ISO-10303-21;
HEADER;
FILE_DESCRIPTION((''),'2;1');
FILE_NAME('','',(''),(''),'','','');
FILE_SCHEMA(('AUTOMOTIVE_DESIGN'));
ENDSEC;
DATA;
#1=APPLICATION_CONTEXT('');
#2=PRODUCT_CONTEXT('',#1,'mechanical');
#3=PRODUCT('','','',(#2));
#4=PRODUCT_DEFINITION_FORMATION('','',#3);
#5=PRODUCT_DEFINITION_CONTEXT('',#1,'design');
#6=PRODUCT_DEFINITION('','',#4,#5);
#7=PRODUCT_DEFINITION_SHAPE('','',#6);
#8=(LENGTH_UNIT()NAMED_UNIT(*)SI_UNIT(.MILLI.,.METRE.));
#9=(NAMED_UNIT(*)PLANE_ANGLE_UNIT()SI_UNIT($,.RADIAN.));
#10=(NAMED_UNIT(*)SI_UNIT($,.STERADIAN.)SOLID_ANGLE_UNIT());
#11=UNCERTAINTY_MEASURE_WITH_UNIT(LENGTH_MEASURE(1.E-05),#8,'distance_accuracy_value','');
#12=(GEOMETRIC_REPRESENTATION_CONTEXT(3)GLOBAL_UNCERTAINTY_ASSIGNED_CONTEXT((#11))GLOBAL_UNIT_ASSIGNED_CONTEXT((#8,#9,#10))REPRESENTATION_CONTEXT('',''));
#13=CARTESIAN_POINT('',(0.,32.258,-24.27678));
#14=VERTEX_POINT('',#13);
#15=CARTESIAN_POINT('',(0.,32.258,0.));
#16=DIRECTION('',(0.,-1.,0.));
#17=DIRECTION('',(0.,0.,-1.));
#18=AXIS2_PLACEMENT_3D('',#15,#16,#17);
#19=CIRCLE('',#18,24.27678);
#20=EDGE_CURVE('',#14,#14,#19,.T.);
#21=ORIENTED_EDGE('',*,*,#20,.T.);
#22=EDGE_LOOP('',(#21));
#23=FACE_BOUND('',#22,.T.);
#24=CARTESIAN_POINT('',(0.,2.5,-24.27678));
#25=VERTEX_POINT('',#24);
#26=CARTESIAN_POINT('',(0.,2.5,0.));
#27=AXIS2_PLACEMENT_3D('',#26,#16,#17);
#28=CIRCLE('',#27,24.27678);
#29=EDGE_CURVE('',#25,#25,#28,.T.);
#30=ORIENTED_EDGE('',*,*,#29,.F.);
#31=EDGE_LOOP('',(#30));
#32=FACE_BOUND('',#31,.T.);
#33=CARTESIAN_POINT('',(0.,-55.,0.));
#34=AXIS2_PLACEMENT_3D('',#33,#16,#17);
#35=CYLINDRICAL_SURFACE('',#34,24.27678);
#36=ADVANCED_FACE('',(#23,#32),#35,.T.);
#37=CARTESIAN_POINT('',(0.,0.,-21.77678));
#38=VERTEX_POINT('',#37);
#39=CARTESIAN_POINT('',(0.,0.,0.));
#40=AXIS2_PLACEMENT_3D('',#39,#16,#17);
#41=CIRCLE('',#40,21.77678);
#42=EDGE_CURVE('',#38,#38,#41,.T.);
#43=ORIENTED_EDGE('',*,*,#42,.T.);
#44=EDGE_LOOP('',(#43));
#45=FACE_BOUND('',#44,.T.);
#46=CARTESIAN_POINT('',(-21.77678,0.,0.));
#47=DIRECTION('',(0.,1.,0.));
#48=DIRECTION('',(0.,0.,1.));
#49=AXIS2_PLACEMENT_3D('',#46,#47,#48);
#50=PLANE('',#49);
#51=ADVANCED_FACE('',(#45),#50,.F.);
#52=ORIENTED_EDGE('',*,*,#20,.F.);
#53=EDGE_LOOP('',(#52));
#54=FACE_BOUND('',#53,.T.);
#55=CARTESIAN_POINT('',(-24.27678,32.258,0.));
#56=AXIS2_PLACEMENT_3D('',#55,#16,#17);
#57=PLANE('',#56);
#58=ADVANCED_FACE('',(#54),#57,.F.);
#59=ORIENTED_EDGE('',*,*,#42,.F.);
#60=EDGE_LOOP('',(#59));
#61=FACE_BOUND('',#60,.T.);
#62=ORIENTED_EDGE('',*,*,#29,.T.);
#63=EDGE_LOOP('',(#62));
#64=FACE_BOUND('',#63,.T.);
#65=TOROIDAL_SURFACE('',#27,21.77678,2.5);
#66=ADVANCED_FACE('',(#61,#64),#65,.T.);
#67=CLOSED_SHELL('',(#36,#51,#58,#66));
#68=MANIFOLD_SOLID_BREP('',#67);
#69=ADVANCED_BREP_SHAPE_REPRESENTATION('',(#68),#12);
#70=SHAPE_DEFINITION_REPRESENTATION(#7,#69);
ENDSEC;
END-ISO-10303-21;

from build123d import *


with BuildPart() as part:
    # Sketch1 → Revolve1 (revolve)
    with BuildSketch(Plane.XY, mode=Mode.PRIVATE) as revolve1_sk:
        with BuildLine():
            Line((-24.27678, 32.258), (0, 32.258))
            Line((0, 32.258), (0, 0))
            Line((0, 0), (-21.77678, 0))
            ThreePointArc((-21.77678, 0), (-23.544546953, 0.732233047), (-24.27678, 2.5))
            Line((-24.27678, 2.5), (-24.27678, 32.258))
        make_face()
    revolve(revolve1_sk.sketch.rotate(Axis((0, -55, 0), (0, 1, 0)), 270), axis=Axis((0, -55, 0), (0, 1, 0)))


solid = part.part
